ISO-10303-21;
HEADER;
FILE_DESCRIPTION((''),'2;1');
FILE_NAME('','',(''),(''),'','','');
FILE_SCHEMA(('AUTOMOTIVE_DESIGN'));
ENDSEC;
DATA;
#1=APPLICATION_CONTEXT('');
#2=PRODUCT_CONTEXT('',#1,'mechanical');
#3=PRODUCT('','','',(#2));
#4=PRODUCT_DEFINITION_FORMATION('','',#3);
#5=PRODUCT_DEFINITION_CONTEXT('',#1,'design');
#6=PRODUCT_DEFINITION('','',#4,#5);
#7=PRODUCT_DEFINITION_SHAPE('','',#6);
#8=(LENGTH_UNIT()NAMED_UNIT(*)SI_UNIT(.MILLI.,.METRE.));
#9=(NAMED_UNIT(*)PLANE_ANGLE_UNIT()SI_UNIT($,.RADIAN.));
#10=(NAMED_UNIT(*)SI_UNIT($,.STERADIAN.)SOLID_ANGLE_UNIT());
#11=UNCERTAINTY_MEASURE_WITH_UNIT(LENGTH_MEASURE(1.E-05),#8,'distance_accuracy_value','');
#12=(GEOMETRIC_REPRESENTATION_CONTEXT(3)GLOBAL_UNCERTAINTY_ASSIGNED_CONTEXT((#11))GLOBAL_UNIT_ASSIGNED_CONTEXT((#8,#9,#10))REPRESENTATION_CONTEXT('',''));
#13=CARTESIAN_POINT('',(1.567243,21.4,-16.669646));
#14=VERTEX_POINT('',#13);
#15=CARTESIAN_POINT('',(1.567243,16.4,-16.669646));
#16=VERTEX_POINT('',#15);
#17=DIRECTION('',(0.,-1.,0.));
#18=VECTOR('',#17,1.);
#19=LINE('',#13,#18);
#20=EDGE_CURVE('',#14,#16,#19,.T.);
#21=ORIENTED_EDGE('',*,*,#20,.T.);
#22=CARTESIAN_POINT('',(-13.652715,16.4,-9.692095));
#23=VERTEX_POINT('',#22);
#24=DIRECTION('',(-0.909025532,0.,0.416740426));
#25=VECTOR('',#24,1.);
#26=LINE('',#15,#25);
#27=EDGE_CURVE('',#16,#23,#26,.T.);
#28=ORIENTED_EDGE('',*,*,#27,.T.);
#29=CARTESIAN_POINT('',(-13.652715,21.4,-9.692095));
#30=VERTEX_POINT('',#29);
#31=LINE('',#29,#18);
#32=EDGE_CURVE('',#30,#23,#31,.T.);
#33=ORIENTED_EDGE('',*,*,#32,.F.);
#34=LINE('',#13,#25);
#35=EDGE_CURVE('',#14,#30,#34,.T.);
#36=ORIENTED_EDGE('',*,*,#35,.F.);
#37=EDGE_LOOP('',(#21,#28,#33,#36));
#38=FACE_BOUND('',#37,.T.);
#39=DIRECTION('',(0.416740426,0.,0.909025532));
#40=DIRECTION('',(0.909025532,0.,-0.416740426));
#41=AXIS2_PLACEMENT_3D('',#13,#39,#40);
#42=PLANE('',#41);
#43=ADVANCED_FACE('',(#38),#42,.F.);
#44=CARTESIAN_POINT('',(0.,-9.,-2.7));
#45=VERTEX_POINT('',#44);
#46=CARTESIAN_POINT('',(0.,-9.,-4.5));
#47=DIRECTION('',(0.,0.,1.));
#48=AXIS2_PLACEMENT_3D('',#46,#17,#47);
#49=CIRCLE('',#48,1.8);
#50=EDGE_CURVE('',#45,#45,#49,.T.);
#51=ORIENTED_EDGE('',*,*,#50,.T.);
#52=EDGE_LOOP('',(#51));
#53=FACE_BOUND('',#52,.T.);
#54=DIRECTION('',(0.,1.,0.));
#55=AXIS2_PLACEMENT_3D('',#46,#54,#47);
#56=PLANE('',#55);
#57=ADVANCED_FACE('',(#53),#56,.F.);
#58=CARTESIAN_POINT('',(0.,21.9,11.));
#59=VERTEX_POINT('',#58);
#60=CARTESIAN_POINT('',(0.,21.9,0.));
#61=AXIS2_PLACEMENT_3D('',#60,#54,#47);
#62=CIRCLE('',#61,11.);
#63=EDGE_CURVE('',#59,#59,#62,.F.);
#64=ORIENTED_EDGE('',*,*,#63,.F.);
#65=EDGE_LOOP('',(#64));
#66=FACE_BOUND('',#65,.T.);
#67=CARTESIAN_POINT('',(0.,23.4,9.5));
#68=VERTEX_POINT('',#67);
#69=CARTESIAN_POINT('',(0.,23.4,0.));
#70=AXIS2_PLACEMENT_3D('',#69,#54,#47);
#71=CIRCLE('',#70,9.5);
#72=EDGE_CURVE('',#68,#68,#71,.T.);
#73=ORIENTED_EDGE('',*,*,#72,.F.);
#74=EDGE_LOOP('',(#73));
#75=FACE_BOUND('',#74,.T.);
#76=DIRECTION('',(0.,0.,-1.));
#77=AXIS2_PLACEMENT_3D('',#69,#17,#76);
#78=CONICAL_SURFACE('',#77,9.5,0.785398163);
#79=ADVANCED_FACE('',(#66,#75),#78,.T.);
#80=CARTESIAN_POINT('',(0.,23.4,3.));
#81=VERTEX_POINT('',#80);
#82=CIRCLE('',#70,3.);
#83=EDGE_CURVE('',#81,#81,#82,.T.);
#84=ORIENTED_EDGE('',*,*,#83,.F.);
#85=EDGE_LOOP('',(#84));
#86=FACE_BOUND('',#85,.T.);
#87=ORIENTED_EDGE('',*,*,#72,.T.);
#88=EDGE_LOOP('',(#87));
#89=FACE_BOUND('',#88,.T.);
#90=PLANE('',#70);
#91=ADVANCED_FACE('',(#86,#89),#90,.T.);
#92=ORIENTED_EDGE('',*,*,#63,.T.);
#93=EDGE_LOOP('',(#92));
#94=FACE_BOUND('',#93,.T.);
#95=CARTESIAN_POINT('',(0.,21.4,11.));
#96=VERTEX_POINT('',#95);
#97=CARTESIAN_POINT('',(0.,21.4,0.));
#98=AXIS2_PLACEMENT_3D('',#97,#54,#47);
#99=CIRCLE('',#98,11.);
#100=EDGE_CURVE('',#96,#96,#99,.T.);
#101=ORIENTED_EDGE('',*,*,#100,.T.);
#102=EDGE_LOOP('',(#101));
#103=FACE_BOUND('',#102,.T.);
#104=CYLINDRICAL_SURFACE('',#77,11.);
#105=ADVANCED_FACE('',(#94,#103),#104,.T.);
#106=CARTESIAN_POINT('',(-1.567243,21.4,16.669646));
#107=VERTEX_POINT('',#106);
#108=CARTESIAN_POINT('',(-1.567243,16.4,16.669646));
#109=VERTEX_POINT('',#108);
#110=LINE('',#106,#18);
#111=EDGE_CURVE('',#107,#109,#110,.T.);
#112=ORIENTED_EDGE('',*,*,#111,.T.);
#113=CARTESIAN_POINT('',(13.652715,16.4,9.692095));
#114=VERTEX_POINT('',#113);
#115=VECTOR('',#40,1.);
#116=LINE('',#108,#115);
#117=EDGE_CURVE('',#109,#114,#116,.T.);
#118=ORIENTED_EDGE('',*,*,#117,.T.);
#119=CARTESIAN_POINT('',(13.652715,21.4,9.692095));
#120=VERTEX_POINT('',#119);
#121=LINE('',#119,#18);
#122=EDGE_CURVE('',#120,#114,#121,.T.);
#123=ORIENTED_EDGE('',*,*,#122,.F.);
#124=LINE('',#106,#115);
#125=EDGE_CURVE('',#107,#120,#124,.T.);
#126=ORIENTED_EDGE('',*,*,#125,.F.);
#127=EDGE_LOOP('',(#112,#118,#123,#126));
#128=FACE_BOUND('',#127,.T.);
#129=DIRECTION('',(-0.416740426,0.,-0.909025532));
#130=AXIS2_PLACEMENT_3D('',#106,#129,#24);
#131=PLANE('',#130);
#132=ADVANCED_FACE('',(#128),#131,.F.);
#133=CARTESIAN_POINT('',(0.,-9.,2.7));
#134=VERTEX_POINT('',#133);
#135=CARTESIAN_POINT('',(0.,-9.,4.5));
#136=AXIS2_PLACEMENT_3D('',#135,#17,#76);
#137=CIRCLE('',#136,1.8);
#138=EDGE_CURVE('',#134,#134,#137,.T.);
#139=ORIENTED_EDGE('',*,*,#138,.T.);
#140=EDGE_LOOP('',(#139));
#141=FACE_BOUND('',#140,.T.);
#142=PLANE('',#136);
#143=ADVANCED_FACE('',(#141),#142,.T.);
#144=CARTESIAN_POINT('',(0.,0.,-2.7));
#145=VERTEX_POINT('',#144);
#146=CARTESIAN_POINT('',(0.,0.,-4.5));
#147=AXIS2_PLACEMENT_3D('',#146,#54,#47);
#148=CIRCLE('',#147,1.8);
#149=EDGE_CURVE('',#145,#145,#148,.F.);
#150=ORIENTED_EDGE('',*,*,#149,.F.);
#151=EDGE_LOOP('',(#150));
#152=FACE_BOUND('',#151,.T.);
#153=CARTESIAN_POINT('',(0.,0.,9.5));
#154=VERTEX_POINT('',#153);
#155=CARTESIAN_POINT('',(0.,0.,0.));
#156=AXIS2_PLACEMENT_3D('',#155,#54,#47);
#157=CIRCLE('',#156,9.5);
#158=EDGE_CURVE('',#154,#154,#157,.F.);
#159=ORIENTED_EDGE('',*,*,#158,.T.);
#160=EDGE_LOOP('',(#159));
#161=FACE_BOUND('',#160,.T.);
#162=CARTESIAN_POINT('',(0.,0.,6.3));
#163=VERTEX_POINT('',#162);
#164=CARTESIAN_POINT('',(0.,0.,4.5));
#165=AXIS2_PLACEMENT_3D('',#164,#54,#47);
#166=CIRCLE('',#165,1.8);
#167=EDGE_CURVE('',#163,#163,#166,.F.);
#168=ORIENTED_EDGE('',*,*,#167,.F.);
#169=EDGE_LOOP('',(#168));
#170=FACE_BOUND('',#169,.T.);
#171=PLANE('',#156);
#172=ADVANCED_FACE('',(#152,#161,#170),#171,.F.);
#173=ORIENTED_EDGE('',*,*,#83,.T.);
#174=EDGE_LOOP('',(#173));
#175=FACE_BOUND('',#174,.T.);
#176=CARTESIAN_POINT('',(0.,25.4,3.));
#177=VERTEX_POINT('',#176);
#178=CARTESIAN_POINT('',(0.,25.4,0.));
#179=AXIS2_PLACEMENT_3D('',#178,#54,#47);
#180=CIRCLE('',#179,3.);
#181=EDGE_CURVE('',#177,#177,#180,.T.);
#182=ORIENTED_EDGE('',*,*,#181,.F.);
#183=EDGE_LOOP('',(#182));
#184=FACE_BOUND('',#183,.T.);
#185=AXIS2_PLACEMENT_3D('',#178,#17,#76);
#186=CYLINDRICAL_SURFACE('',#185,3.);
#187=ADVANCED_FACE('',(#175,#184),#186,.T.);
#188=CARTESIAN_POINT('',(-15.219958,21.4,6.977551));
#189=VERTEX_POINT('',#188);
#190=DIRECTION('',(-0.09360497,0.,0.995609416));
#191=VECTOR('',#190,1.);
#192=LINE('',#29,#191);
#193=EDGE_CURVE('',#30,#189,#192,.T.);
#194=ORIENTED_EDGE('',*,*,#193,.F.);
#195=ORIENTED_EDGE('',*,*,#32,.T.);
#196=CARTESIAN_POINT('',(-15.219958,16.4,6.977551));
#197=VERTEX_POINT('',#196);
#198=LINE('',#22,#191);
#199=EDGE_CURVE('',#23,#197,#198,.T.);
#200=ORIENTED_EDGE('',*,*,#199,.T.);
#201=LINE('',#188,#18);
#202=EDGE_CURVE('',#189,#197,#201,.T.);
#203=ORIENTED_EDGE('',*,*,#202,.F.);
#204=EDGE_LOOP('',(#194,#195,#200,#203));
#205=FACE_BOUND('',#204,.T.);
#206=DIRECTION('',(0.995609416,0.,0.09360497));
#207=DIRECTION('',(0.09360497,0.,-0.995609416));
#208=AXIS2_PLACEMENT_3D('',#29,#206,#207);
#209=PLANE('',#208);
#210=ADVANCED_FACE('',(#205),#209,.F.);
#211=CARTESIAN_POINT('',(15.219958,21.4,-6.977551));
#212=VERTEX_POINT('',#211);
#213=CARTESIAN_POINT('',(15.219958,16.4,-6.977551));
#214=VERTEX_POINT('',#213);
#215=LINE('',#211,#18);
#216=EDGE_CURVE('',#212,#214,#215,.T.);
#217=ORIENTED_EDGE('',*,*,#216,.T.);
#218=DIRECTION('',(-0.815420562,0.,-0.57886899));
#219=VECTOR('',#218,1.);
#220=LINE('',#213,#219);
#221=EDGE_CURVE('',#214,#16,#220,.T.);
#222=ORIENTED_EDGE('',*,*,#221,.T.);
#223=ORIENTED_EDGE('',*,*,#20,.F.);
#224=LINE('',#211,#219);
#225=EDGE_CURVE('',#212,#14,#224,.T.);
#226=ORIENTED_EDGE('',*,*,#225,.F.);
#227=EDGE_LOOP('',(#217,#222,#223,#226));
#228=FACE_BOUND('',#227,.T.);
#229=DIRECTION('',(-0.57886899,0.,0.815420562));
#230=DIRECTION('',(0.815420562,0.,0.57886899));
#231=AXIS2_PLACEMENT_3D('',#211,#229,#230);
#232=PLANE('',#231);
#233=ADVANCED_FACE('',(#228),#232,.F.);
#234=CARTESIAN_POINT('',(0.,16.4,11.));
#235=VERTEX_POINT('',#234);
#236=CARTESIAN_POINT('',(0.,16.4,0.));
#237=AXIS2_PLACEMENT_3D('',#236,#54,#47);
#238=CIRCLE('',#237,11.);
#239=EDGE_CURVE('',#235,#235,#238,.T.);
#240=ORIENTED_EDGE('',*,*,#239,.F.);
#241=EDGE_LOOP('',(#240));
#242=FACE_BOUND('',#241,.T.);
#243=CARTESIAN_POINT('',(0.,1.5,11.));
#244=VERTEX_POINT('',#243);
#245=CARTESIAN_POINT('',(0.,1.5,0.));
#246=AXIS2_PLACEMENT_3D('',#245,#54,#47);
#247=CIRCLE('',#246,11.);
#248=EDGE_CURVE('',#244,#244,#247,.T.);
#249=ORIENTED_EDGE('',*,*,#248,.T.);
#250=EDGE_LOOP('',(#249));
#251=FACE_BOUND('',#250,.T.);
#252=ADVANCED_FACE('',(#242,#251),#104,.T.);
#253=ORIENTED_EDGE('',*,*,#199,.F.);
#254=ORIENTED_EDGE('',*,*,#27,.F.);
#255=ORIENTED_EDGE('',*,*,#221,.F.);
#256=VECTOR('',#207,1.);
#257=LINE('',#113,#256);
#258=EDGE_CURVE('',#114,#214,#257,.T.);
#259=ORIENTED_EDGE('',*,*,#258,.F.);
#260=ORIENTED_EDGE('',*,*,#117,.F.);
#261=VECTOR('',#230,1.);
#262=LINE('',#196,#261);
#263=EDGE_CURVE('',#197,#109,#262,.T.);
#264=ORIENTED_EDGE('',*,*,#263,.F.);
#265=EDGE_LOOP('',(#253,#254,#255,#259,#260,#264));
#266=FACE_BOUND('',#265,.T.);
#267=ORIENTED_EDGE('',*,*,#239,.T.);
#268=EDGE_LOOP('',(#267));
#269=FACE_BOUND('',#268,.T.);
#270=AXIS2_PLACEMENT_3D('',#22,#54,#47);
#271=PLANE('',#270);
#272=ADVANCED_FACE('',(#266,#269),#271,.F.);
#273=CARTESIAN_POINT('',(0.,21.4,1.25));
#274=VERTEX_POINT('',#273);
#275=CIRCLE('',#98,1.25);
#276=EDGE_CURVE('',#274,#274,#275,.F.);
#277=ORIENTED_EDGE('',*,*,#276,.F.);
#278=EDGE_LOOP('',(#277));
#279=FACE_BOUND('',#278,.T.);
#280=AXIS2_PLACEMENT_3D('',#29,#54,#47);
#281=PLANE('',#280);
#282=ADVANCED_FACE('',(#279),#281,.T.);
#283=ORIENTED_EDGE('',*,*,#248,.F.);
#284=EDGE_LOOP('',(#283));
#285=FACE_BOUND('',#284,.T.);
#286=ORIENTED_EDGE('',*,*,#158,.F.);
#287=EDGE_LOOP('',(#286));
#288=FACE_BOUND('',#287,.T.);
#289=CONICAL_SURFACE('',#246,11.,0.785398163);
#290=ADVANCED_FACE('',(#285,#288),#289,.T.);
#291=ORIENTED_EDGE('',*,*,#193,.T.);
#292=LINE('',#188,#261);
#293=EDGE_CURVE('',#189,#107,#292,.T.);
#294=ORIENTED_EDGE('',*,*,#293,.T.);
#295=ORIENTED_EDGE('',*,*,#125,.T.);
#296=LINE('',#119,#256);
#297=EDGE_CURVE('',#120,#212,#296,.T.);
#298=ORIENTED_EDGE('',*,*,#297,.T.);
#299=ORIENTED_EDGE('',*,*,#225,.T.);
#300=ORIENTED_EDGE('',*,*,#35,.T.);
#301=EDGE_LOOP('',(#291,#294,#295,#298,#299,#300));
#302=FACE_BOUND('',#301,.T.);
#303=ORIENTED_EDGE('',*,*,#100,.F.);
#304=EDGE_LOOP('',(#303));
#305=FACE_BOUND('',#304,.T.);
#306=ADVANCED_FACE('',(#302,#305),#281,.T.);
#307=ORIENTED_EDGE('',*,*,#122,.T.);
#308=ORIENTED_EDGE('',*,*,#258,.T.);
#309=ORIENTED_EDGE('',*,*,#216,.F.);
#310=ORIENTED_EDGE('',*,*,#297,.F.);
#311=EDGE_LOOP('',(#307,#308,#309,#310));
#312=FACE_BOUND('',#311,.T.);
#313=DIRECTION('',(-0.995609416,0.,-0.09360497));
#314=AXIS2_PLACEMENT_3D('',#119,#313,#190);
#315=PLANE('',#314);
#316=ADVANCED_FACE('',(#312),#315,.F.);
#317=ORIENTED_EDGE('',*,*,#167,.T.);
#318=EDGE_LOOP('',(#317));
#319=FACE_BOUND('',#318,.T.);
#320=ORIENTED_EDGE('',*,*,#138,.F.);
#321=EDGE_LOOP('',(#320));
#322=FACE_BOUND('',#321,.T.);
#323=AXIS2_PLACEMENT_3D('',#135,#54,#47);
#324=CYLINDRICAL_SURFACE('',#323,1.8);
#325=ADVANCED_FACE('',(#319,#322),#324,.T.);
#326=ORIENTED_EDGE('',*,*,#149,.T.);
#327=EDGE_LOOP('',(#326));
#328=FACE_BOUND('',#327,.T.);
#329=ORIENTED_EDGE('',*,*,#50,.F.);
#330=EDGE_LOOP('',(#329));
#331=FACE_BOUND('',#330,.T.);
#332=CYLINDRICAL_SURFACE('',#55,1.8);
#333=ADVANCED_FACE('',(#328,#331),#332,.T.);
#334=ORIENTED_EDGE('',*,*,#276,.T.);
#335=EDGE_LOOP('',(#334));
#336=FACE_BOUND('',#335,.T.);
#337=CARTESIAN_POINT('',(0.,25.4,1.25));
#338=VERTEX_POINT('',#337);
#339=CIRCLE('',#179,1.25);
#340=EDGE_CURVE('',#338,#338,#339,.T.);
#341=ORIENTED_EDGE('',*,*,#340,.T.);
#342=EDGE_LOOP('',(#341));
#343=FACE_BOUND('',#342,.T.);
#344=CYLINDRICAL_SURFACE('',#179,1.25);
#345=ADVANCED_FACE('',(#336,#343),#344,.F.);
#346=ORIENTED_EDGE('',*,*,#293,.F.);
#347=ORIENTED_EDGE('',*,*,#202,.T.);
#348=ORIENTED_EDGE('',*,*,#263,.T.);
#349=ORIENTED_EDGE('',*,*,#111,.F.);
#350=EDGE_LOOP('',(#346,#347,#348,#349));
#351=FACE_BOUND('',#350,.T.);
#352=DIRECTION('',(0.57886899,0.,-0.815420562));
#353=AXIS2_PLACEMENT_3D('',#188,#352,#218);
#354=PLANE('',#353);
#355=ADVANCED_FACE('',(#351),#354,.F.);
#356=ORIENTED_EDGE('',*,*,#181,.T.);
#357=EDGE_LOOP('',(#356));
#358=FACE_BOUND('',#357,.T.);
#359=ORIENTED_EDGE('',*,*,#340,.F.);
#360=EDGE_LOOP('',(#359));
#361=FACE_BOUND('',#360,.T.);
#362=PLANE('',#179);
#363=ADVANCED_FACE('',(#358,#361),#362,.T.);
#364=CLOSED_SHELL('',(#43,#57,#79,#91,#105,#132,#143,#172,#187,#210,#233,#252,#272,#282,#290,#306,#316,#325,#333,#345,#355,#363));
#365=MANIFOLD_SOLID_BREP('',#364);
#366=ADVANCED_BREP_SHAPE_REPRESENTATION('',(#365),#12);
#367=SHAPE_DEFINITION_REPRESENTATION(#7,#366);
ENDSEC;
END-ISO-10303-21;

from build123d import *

# Parameters (mm, degrees)
SKETCH_1_R             = 11
EXTRUDE_1_DEPTH        = 23.4
SKETCH_2_R             = 3
EXTRUDE_2_DEPTH        = 2
HOLE_WIZARD_M3_1_D     = 2.5
HOLE_WIZARD_M3_1_DEPTH = 7.5
HOLE_WIZARD_M3_1_TIP   = 0.751075774
CHAMFER_1_SIZE         = 1.5
CHAMFER_2_SIZE         = 1.5
SKETCH_5_R             = 1.8
EXTRUDE_3_DEPTH        = 9
EXTRUDE_4_DEPTH        = 5


with BuildPart() as part:
    # 草图1 → 凸台-拉伸1 (new body)
    with BuildSketch(Plane(origin=(0, 0, 0), x_dir=(1, 0, 0), z_dir=(0, 1, 0))):
        with Locations(Location((0, 0, 0), (0, 0, 270))):
            Circle(SKETCH_1_R)
    extrude(amount=EXTRUDE_1_DEPTH)

    # 草图2 → 凸台-拉伸2 (add)
    with BuildSketch(Plane(origin=(0, 23.4, 0), x_dir=(1, 0, 0), z_dir=(0, 1, 0))):
        with Locations(Location((0, 0, 0), (0, 0, 270))):
            Circle(SKETCH_2_R)
    extrude(amount=EXTRUDE_2_DEPTH)

    # M3 螺纹孔1
    with Locations(Plane(origin=(0, 25.4, 0), x_dir=(-1, 0, 0), z_dir=(0, 1, 0))):
        with Locations((0, 0)):
            Hole(HOLE_WIZARD_M3_1_D / 2, depth=HOLE_WIZARD_M3_1_DEPTH)
            with Locations((0, 0, -(HOLE_WIZARD_M3_1_DEPTH + HOLE_WIZARD_M3_1_TIP / 2))):  # 118° drill point
                Cone(0, HOLE_WIZARD_M3_1_D / 2, HOLE_WIZARD_M3_1_TIP, mode=Mode.SUBTRACT)

    # 倒角1
    chamfer_1_edges = [part.edges().sort_by_distance(p)[0] for p in [
        (0, 23.4, -11),
    ]]
    chamfer(chamfer_1_edges, length=CHAMFER_1_SIZE)

    # 倒角2
    chamfer_2_edges = [part.edges().sort_by_distance(p)[0] for p in [
        (0, 0, -11),
    ]]
    chamfer(chamfer_2_edges, length=CHAMFER_2_SIZE)

    # 草图5 → 凸台-拉伸3 (add)
    with BuildSketch(Plane.XZ):
        with Locations(Location((0, 4.5, 0), (0, 0, 90))):
            Circle(SKETCH_5_R)
        with Locations(Location((0, -4.5, 0), (0, 0, 90))):
            Circle(SKETCH_5_R)
    extrude(amount=EXTRUDE_3_DEPTH)

    # 草图6 → 凸台-拉伸4 (add)
    with BuildSketch(Plane(origin=(0, 16.4, 0), x_dir=(-1, 0, 0), z_dir=(0, 1, 0))):
        Polygon((13.652715142, -9.69209485), (15.219957927, 6.977550719), (1.567242785, 16.669645569), (-13.652715142, 9.69209485), (-15.219957927, -6.977550719), (-1.567242785, -16.669645569), align=None)
    extrude(amount=EXTRUDE_4_DEPTH)


solid = part.part
